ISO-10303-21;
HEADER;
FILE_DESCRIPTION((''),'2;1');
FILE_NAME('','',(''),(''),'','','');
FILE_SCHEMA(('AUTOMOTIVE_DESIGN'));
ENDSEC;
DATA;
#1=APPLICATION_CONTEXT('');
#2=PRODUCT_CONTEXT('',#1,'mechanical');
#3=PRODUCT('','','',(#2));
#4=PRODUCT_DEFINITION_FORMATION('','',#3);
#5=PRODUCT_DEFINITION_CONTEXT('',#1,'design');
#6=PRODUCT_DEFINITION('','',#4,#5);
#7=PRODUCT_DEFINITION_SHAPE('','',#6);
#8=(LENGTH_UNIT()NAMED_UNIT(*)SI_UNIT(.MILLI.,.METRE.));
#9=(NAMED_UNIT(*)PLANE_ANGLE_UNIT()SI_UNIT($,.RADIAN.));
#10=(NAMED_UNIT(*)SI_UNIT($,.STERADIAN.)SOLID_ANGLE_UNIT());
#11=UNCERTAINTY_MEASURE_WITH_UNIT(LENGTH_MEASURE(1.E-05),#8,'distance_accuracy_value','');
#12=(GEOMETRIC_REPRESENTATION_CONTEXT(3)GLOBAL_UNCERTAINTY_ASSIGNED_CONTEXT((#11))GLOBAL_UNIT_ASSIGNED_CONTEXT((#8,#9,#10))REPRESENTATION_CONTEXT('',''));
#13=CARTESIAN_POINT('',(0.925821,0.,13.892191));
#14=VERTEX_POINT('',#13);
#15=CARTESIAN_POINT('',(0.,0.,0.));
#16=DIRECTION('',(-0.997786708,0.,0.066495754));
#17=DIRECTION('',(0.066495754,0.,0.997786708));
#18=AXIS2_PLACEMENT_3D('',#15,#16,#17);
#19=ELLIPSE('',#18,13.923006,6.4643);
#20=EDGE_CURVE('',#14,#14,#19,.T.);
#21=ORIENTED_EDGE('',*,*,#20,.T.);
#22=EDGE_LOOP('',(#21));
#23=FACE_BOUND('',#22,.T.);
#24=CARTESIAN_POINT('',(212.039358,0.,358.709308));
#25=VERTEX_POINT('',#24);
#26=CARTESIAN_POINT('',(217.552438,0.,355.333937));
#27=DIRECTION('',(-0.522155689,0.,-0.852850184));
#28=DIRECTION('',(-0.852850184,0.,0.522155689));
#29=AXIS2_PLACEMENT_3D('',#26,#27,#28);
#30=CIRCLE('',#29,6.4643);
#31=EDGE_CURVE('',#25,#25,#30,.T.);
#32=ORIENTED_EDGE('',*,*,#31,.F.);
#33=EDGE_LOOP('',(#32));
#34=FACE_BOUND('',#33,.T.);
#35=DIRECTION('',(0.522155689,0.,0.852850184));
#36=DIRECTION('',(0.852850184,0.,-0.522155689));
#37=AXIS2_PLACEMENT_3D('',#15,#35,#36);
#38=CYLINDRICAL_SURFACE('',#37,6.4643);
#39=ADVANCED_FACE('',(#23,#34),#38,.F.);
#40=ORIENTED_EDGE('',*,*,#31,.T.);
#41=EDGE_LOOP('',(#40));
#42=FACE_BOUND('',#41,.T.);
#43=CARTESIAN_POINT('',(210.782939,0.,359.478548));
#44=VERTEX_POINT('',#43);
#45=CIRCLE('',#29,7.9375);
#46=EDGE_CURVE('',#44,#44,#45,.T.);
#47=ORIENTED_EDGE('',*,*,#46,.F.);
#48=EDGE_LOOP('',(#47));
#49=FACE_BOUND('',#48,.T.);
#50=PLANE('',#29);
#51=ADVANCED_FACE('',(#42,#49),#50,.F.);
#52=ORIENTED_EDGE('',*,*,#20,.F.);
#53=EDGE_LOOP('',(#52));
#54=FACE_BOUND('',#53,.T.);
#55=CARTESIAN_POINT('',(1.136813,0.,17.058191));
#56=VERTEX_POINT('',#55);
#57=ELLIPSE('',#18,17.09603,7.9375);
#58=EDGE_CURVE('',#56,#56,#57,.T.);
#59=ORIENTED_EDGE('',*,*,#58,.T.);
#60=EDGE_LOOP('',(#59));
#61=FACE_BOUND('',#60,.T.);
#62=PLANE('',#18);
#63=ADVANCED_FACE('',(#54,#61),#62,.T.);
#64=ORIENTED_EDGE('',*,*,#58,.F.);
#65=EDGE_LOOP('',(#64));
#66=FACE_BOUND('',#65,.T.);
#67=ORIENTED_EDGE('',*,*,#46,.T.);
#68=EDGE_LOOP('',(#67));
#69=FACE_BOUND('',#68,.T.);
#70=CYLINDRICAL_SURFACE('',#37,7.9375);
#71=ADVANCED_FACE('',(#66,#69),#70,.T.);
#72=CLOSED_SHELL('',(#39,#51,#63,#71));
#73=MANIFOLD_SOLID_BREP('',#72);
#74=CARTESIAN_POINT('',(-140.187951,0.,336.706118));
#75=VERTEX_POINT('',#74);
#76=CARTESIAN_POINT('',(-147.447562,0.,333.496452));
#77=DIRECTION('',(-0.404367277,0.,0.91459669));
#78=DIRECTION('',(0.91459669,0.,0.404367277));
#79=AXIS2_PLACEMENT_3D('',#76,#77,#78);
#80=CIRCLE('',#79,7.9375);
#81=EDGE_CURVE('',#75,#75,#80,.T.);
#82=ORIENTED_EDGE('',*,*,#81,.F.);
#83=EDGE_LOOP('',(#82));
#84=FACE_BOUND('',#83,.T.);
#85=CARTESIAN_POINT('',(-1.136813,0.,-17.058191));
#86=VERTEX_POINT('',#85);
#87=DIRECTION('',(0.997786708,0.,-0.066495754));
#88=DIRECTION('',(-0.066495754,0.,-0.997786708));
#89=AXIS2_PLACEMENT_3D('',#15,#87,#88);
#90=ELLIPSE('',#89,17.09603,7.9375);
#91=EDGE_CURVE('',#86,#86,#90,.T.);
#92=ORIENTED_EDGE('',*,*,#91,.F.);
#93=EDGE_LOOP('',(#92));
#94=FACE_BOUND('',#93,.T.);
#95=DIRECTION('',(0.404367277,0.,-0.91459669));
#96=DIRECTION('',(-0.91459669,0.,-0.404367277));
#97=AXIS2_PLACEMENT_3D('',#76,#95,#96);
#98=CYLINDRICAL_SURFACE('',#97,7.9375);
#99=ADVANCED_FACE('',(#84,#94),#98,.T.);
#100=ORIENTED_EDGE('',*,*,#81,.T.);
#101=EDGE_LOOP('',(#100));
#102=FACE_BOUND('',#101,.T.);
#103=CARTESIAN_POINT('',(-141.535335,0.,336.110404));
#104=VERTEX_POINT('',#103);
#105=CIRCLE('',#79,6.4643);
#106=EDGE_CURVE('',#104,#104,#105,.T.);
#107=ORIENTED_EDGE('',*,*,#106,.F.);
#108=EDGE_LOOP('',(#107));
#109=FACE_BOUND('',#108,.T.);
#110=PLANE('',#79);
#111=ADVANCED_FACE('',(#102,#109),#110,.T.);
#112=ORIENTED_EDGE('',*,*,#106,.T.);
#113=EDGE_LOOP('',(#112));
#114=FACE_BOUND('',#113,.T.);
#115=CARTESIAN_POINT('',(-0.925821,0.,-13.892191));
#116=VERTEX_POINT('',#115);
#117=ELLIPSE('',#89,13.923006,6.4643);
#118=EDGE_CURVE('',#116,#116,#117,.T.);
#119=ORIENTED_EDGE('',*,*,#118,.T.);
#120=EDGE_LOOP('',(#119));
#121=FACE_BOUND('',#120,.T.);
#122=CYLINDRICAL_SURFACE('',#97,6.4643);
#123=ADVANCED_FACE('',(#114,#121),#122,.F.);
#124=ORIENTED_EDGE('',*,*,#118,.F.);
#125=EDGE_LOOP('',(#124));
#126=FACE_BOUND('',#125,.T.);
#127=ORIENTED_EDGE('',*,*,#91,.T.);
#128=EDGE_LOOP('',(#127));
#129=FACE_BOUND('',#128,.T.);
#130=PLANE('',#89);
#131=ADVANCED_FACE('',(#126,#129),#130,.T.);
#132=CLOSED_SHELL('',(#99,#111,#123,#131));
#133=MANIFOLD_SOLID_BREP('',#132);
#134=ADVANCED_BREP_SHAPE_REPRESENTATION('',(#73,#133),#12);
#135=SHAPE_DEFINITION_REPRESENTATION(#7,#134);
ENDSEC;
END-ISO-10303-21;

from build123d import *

# Parameters (mm, degrees)
SKETCH1_ON_SEGMENT_1_R          = 7.9375
SKETCH1_ON_SEGMENT_1_R_2        = 6.4643
STRUCTURAL_MEMBER1_DEPTH        = 439.056418566
SKETCH1_R                       = 7.9375
SKETCH1_R_2                     = 6.4643
STRUCTURAL_MEMBER1_2_DEPTH      = 364.637720715
STRUCTURAL_MEMBER1_2_DEPTH_BACK = 22.41356204


with BuildPart() as part:
    # Sketch1 on segment 1 (carried to segment 1) → Structural Member1 (new body)
    with BuildSketch(Plane(origin=(217.552437832, 0, 355.333936864), x_dir=(-0.852850184, 0, 0.522155689), z_dir=(-0.522155689, 0, -0.852850184))):
        Circle(SKETCH1_ON_SEGMENT_1_R)
        Circle(SKETCH1_ON_SEGMENT_1_R_2, mode=Mode.SUBTRACT)
    extrude(amount=STRUCTURAL_MEMBER1_DEPTH)

    # Structural Member1 mitre 1
    split(bisect_by=Plane(origin=(0, 0, 0), x_dir=(0, 1, 0), z_dir=(0.997786708, 0, -0.066495754)), keep=Keep.TOP)


with BuildPart() as body_2:
    # Sketch1 → Structural Member1 2 (new, two sides)
    with BuildSketch(Plane(origin=(0, 0, 0), x_dir=(0.9145966900221395, 0, 0.40436727686664553), z_dir=(-0.4043672768666456, 0, 0.9145966900221396))) as structural_member1_2_sk:
        Circle(SKETCH1_R)
        Circle(SKETCH1_R_2, mode=Mode.SUBTRACT)
    extrude(amount=STRUCTURAL_MEMBER1_2_DEPTH)
    extrude(structural_member1_2_sk.sketch, amount=-STRUCTURAL_MEMBER1_2_DEPTH_BACK)

    # Structural Member1 2 mitre 1
    split(bisect_by=Plane(origin=(0, 0, 0), x_dir=(0, -1, 0), z_dir=(-0.997786708, 0, 0.066495754)), keep=Keep.TOP)


solid = Compound([part.part, body_2.part])
